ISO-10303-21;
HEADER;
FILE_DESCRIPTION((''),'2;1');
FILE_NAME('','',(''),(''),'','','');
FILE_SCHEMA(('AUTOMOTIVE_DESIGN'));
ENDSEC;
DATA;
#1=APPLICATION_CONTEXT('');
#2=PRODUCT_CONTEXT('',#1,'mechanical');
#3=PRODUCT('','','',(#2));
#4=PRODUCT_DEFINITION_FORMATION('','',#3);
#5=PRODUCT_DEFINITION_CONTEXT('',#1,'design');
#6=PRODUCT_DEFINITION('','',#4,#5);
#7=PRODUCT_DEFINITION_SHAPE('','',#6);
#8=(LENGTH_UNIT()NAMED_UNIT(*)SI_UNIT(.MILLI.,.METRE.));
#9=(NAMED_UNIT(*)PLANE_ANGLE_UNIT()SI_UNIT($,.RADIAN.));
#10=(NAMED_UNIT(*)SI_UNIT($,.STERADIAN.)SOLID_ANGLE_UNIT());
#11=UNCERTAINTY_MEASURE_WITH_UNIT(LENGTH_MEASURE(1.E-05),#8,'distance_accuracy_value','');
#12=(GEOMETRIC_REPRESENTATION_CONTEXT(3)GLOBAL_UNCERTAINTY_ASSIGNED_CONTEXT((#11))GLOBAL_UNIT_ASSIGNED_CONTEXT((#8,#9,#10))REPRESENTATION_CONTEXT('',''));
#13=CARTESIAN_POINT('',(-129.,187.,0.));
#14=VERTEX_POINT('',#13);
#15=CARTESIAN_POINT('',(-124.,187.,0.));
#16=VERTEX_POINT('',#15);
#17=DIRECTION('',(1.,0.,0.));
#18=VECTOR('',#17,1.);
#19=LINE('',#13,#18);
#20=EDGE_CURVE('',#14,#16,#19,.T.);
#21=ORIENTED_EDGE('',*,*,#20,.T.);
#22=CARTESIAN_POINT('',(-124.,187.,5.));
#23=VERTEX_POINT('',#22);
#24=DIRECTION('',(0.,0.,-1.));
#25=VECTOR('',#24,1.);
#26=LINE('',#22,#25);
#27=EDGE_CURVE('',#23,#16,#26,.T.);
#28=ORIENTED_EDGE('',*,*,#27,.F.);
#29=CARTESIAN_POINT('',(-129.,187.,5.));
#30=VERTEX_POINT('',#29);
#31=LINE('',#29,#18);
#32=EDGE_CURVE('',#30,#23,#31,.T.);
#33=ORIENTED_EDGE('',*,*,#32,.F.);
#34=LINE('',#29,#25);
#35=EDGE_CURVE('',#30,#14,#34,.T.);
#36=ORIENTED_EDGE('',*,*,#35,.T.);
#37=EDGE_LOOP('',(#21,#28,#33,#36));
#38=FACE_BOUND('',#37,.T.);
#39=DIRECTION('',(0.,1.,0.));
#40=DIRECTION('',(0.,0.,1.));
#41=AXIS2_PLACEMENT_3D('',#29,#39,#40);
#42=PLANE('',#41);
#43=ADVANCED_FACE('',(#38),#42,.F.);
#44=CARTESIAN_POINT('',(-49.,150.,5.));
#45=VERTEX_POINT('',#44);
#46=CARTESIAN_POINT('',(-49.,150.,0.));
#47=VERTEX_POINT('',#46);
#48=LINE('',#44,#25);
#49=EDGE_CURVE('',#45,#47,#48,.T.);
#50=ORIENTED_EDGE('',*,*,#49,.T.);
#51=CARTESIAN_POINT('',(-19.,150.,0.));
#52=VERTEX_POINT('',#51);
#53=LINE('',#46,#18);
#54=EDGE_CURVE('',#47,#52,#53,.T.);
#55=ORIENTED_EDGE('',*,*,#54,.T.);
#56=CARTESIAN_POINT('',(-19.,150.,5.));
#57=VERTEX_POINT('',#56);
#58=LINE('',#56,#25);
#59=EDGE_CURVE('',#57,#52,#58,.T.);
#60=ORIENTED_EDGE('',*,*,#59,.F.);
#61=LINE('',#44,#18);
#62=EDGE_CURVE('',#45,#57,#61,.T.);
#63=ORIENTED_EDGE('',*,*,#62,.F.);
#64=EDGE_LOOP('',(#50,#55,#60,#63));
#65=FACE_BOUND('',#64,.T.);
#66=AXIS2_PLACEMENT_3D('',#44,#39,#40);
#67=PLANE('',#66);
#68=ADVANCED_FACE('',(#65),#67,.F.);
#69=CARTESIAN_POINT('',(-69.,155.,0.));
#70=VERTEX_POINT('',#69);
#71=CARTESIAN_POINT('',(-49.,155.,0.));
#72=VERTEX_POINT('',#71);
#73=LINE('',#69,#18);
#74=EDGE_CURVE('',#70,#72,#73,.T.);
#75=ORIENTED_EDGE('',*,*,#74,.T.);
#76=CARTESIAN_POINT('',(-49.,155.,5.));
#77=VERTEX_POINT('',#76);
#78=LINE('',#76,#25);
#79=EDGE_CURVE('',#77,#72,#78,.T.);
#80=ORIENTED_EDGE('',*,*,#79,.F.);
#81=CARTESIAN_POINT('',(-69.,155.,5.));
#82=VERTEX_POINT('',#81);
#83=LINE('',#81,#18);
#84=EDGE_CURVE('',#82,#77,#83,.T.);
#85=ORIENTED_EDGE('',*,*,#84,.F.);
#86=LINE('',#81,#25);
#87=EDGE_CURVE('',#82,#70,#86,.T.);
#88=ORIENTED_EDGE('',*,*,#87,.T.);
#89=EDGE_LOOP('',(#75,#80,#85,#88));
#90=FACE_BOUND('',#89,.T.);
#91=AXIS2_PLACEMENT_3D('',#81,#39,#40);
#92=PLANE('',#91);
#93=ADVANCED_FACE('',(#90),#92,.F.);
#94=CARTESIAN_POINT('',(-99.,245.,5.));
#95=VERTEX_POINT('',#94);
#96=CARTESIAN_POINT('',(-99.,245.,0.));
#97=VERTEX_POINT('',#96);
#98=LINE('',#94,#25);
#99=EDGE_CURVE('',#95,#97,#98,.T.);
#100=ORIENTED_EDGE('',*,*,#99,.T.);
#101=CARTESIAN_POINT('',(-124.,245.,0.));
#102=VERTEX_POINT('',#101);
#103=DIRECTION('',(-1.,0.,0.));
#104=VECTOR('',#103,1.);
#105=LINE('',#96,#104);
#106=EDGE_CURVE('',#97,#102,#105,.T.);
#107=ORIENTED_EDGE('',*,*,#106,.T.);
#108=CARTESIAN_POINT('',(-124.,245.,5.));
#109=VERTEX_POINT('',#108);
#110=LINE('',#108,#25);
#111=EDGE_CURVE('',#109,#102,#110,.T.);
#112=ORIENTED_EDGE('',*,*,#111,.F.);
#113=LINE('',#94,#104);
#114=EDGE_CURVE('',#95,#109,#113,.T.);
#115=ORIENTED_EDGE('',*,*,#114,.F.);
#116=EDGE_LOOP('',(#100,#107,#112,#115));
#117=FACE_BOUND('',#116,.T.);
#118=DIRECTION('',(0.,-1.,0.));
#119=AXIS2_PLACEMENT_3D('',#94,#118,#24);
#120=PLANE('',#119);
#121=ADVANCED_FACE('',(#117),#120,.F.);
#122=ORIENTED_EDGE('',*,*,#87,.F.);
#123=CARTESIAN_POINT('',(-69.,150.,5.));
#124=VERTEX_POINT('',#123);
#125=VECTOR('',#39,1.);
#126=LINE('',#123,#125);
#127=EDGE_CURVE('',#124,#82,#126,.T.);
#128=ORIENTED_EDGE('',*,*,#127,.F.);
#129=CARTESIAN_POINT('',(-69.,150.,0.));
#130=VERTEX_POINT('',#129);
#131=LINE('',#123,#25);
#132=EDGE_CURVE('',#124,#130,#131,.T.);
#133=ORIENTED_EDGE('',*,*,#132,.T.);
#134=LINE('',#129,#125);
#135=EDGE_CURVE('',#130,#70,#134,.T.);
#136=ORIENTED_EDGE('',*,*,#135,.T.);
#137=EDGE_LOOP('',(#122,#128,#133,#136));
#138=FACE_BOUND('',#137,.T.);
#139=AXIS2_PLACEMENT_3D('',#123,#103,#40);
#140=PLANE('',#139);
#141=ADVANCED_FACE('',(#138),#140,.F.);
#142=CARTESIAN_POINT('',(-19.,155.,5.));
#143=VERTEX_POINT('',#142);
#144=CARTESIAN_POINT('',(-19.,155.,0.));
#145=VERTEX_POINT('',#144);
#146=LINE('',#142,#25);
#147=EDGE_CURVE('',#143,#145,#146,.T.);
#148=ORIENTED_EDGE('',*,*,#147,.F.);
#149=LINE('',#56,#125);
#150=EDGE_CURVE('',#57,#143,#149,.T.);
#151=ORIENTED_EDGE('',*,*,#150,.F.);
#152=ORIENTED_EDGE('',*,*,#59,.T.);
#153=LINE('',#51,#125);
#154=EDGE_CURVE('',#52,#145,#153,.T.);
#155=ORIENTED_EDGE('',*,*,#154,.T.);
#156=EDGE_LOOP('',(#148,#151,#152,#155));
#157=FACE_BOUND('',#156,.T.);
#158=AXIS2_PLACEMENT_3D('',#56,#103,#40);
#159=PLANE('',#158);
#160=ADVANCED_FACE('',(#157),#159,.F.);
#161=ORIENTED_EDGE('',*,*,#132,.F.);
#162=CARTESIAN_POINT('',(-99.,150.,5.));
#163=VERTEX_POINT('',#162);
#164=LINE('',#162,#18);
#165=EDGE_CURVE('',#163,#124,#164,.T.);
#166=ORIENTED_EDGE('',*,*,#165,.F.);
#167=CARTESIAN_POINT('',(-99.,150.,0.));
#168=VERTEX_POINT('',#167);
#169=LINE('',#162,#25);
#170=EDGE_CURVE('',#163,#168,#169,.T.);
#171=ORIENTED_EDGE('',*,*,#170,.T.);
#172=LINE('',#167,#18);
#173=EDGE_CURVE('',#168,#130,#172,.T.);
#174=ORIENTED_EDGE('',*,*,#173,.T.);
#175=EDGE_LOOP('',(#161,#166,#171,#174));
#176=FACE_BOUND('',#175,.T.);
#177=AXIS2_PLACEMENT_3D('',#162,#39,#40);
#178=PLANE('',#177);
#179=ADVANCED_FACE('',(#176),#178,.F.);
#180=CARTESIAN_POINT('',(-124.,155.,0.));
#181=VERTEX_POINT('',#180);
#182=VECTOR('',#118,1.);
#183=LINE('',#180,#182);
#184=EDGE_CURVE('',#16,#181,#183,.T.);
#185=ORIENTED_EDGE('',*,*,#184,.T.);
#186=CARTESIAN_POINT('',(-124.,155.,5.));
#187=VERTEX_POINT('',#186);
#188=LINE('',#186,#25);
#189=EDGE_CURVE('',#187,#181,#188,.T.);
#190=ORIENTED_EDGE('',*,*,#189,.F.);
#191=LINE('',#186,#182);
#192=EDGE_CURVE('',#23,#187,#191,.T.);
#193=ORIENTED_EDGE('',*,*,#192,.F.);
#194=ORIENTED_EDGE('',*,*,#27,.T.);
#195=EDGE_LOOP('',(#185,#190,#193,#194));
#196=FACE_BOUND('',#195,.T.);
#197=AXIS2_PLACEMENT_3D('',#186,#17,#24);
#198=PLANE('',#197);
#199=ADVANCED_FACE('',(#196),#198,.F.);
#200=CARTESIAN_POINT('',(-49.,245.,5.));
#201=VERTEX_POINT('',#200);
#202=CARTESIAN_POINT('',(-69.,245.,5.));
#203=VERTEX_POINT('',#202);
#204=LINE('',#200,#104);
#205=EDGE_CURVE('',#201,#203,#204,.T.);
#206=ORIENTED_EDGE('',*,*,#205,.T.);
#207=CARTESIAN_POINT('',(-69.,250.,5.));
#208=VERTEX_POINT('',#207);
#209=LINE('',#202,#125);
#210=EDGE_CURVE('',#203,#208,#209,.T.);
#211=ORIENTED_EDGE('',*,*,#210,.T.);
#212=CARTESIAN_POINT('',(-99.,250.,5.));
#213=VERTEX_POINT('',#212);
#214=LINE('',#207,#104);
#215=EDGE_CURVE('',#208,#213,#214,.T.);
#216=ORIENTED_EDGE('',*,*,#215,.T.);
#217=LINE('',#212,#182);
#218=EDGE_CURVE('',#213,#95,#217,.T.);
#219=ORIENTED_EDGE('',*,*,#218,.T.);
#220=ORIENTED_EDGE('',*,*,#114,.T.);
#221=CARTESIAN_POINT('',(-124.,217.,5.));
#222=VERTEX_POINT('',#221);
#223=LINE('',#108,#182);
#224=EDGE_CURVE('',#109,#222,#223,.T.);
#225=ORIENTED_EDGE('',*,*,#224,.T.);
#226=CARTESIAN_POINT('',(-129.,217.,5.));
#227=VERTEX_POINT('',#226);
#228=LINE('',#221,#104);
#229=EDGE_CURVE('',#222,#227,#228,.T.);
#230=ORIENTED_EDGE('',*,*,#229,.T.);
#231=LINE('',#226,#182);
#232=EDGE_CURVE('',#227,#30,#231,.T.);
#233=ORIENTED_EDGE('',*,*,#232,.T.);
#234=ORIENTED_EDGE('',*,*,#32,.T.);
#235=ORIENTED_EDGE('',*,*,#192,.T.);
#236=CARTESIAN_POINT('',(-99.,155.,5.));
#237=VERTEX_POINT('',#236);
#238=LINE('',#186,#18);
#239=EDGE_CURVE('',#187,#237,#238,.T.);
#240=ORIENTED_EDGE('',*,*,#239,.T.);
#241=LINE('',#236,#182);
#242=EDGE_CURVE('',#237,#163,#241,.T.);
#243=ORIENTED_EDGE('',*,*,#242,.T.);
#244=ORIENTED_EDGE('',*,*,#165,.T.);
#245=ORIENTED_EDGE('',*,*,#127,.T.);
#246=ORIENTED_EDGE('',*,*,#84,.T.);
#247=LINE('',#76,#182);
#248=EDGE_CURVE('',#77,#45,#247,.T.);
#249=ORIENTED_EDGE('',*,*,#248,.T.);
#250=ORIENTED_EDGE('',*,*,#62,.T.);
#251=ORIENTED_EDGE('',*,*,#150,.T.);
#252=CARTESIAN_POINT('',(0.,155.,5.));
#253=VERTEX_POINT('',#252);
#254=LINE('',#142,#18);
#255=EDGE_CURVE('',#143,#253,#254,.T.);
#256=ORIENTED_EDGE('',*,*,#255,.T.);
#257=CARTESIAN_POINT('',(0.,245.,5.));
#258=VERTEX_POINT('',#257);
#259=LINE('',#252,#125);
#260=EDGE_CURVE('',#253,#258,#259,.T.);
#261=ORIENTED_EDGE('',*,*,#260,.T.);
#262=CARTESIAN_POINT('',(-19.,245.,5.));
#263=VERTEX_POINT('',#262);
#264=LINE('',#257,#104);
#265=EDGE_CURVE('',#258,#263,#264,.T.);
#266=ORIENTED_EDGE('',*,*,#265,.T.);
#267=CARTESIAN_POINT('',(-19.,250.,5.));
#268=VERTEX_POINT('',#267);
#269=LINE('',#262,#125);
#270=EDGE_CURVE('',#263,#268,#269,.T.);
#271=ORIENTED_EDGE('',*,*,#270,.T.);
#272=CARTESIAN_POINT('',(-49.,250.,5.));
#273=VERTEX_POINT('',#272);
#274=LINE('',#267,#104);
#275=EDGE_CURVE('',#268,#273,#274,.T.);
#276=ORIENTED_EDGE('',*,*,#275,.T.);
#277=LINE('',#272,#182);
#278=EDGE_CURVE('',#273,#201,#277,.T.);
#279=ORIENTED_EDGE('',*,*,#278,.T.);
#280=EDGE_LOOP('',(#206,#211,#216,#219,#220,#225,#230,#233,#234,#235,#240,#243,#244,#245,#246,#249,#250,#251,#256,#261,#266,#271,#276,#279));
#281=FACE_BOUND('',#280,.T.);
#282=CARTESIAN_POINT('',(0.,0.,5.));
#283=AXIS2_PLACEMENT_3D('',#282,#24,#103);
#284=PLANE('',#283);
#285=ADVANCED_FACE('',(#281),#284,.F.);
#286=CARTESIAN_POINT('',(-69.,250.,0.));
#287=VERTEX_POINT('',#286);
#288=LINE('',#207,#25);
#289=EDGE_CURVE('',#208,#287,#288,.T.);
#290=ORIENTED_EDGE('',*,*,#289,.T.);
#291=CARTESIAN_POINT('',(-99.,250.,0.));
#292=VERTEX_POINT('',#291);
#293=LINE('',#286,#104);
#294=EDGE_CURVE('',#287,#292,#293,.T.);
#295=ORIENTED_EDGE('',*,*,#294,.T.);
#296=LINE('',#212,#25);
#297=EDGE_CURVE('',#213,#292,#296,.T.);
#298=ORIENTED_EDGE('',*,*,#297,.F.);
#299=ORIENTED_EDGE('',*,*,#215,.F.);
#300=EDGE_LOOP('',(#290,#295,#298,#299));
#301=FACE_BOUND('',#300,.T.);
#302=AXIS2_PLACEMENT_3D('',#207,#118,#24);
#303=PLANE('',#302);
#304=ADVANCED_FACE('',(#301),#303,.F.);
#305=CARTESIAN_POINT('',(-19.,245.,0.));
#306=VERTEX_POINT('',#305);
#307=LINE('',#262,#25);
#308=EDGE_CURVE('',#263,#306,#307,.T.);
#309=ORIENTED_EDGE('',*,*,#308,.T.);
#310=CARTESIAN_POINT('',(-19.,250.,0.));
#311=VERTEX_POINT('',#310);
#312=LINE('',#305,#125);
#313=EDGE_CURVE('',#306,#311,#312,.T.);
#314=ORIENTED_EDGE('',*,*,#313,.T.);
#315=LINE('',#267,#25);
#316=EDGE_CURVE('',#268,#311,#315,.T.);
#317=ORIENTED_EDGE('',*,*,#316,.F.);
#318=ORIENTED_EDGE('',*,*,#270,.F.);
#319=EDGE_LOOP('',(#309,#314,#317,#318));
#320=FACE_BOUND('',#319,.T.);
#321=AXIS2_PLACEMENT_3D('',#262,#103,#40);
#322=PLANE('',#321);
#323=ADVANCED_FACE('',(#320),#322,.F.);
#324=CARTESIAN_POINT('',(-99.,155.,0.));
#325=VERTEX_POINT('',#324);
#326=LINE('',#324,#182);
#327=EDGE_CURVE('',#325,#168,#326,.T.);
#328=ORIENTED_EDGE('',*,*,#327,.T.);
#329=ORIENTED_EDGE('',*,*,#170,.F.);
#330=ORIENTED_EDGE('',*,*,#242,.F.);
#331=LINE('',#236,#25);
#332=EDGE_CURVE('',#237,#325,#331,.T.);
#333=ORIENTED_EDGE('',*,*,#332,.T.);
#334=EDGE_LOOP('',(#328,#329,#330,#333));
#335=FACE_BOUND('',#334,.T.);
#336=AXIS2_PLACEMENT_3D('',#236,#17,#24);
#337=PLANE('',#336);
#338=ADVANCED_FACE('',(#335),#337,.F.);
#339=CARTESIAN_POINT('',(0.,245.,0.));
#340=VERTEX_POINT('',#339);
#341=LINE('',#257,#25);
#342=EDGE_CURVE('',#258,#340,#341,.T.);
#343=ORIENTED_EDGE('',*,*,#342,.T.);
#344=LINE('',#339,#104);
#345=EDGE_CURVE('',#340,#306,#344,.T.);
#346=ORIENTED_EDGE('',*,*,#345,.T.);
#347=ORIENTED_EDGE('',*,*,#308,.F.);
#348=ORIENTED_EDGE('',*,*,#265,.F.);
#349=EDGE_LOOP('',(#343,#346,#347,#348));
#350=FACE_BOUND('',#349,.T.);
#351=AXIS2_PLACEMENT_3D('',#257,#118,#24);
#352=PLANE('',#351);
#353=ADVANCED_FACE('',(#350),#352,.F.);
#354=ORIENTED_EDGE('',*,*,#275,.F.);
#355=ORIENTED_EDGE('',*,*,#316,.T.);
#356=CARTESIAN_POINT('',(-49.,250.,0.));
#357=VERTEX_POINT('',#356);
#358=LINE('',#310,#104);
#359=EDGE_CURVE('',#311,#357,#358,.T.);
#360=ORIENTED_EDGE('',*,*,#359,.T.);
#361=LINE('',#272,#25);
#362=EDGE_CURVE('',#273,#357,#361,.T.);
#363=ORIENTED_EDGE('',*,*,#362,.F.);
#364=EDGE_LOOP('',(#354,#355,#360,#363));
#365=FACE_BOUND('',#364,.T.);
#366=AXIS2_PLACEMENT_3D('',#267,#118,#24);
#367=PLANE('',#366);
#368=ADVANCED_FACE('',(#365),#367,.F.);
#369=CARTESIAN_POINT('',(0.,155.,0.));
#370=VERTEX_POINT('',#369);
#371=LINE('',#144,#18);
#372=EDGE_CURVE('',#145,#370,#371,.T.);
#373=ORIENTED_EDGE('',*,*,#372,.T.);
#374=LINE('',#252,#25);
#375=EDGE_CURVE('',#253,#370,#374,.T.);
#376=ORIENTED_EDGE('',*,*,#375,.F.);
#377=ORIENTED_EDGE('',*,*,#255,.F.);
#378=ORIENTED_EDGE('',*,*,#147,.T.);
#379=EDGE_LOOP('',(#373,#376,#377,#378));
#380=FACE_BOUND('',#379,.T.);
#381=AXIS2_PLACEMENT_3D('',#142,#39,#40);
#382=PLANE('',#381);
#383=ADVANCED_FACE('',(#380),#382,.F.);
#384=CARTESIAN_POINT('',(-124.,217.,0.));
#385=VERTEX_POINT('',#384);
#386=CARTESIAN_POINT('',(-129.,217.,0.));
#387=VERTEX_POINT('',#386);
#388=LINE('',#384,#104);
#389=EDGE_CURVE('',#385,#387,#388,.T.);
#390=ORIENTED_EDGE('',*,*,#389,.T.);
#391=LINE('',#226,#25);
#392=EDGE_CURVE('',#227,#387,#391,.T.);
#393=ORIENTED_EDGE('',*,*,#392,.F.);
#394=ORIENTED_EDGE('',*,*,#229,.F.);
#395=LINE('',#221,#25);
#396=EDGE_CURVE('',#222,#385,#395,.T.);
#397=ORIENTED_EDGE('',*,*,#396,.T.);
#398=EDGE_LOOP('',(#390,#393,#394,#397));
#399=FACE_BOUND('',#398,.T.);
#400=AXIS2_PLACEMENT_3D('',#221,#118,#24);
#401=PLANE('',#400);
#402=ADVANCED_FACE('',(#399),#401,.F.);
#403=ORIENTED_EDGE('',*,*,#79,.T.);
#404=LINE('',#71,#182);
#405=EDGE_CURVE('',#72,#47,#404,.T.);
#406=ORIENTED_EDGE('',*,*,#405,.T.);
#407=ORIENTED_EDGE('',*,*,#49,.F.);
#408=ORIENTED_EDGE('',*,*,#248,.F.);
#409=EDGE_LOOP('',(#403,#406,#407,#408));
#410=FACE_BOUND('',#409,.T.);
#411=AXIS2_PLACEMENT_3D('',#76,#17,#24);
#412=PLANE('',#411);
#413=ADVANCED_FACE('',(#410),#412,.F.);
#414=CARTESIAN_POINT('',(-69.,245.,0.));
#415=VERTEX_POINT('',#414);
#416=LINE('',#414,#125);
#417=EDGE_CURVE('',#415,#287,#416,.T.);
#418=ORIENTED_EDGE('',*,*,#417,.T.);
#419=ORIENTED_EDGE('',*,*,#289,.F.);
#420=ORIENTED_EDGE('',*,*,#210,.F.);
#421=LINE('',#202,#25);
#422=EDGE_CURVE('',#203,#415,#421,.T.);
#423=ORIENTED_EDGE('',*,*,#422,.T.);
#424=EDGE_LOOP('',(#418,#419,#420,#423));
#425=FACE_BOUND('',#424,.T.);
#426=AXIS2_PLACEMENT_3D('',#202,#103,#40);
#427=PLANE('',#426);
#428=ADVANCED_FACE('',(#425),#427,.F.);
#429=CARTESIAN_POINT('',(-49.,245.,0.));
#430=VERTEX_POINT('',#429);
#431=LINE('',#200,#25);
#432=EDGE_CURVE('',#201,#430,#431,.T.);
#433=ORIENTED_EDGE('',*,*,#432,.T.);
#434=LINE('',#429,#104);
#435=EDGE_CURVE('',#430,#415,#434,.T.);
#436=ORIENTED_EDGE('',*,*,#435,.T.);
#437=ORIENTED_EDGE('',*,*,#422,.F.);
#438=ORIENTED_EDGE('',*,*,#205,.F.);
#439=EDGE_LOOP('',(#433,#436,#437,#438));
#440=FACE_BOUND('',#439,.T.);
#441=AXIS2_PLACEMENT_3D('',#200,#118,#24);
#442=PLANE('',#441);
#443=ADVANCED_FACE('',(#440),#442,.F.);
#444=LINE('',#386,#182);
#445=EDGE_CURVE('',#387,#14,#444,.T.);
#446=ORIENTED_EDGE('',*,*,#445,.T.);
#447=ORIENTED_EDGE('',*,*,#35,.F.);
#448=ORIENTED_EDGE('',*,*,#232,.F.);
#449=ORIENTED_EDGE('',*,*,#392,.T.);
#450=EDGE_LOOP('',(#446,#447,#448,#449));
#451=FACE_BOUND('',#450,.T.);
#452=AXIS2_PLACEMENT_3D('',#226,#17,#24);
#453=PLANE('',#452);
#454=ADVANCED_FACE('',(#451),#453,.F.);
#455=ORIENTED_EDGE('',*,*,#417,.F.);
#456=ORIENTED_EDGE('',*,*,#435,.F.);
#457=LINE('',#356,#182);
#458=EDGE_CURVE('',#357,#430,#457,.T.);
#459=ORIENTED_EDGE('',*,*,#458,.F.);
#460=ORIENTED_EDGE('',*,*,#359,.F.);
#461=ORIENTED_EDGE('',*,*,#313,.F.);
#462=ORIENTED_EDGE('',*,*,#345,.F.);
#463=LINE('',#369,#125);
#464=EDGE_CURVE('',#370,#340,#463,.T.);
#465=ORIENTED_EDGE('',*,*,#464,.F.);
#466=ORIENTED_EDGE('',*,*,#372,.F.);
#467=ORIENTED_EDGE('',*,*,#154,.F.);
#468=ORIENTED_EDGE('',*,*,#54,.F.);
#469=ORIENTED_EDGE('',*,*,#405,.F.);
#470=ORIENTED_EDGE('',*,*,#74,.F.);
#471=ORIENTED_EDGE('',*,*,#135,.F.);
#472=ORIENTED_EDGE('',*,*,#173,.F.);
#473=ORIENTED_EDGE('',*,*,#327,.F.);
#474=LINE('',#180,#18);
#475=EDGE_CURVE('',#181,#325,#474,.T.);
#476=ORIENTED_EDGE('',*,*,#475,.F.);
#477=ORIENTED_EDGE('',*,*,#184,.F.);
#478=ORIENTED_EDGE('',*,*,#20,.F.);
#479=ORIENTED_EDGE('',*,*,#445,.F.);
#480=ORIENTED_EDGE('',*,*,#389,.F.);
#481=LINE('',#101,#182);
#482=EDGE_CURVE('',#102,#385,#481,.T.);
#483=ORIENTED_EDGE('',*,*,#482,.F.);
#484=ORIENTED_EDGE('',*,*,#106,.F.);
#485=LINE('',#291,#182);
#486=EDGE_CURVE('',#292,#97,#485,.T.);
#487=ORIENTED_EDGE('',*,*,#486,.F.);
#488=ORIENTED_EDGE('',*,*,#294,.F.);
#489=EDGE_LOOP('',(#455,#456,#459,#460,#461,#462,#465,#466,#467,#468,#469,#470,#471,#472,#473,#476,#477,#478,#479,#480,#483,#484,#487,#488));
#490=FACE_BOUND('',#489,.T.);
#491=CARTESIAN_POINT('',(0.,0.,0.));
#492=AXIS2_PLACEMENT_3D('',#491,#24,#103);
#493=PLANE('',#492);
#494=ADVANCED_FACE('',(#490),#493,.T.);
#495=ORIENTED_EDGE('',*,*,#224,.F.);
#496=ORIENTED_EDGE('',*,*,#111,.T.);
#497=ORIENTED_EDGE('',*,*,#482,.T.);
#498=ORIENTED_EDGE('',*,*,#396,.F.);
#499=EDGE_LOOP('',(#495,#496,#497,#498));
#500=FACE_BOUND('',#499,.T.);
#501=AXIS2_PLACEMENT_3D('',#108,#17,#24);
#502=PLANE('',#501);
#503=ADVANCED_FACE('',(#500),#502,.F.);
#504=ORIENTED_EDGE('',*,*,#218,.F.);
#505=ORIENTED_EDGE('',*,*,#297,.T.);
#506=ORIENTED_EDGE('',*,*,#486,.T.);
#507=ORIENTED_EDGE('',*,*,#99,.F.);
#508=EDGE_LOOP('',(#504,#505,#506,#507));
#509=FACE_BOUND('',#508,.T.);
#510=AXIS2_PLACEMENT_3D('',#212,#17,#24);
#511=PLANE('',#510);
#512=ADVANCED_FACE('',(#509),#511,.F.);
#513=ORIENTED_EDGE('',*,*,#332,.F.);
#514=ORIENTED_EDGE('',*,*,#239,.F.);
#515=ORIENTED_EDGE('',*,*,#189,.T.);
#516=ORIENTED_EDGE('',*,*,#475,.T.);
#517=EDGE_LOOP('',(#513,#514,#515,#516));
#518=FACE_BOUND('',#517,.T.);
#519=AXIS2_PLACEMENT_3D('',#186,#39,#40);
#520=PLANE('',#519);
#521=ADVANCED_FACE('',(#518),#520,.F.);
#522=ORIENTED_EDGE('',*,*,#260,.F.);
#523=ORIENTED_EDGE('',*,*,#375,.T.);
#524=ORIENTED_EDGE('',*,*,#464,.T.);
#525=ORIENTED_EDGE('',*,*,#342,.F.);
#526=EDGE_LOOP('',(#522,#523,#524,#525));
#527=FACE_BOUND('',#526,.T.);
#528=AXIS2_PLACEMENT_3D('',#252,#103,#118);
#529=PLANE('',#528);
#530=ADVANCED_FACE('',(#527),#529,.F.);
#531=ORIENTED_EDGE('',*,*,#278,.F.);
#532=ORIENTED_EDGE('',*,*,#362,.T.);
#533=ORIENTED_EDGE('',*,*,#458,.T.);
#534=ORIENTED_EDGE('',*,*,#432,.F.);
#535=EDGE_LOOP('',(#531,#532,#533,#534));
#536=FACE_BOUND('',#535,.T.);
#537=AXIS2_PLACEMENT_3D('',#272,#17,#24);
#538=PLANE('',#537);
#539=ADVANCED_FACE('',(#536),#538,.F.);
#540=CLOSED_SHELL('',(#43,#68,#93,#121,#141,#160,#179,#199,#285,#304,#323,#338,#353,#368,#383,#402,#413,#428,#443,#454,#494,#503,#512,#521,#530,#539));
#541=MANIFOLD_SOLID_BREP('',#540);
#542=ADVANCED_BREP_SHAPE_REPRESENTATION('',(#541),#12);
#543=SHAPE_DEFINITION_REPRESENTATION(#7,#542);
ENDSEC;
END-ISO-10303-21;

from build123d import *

# Parameters (mm, degrees)
BOSS_EXTRUDE1_DEPTH = 5


with BuildPart() as part:
    # Sketch1 → Boss-Extrude1 (new body)
    with BuildSketch(Plane.XY):
        Polygon((-69, 245), (-69, 250), (-99, 250), (-99, 245), (-124, 245), (-124, 217), (-129, 217), (-129, 187), (-124, 187), (-124, 155), (-99, 155), (-99, 150), (-69, 150), (-69, 155), (-49, 155), (-49, 150), (-19, 150), (-19, 155), (0, 155), (0, 245), (-19, 245), (-19, 250), (-49, 250), (-49, 245), align=None)
    extrude(amount=BOSS_EXTRUDE1_DEPTH)


solid = part.part
